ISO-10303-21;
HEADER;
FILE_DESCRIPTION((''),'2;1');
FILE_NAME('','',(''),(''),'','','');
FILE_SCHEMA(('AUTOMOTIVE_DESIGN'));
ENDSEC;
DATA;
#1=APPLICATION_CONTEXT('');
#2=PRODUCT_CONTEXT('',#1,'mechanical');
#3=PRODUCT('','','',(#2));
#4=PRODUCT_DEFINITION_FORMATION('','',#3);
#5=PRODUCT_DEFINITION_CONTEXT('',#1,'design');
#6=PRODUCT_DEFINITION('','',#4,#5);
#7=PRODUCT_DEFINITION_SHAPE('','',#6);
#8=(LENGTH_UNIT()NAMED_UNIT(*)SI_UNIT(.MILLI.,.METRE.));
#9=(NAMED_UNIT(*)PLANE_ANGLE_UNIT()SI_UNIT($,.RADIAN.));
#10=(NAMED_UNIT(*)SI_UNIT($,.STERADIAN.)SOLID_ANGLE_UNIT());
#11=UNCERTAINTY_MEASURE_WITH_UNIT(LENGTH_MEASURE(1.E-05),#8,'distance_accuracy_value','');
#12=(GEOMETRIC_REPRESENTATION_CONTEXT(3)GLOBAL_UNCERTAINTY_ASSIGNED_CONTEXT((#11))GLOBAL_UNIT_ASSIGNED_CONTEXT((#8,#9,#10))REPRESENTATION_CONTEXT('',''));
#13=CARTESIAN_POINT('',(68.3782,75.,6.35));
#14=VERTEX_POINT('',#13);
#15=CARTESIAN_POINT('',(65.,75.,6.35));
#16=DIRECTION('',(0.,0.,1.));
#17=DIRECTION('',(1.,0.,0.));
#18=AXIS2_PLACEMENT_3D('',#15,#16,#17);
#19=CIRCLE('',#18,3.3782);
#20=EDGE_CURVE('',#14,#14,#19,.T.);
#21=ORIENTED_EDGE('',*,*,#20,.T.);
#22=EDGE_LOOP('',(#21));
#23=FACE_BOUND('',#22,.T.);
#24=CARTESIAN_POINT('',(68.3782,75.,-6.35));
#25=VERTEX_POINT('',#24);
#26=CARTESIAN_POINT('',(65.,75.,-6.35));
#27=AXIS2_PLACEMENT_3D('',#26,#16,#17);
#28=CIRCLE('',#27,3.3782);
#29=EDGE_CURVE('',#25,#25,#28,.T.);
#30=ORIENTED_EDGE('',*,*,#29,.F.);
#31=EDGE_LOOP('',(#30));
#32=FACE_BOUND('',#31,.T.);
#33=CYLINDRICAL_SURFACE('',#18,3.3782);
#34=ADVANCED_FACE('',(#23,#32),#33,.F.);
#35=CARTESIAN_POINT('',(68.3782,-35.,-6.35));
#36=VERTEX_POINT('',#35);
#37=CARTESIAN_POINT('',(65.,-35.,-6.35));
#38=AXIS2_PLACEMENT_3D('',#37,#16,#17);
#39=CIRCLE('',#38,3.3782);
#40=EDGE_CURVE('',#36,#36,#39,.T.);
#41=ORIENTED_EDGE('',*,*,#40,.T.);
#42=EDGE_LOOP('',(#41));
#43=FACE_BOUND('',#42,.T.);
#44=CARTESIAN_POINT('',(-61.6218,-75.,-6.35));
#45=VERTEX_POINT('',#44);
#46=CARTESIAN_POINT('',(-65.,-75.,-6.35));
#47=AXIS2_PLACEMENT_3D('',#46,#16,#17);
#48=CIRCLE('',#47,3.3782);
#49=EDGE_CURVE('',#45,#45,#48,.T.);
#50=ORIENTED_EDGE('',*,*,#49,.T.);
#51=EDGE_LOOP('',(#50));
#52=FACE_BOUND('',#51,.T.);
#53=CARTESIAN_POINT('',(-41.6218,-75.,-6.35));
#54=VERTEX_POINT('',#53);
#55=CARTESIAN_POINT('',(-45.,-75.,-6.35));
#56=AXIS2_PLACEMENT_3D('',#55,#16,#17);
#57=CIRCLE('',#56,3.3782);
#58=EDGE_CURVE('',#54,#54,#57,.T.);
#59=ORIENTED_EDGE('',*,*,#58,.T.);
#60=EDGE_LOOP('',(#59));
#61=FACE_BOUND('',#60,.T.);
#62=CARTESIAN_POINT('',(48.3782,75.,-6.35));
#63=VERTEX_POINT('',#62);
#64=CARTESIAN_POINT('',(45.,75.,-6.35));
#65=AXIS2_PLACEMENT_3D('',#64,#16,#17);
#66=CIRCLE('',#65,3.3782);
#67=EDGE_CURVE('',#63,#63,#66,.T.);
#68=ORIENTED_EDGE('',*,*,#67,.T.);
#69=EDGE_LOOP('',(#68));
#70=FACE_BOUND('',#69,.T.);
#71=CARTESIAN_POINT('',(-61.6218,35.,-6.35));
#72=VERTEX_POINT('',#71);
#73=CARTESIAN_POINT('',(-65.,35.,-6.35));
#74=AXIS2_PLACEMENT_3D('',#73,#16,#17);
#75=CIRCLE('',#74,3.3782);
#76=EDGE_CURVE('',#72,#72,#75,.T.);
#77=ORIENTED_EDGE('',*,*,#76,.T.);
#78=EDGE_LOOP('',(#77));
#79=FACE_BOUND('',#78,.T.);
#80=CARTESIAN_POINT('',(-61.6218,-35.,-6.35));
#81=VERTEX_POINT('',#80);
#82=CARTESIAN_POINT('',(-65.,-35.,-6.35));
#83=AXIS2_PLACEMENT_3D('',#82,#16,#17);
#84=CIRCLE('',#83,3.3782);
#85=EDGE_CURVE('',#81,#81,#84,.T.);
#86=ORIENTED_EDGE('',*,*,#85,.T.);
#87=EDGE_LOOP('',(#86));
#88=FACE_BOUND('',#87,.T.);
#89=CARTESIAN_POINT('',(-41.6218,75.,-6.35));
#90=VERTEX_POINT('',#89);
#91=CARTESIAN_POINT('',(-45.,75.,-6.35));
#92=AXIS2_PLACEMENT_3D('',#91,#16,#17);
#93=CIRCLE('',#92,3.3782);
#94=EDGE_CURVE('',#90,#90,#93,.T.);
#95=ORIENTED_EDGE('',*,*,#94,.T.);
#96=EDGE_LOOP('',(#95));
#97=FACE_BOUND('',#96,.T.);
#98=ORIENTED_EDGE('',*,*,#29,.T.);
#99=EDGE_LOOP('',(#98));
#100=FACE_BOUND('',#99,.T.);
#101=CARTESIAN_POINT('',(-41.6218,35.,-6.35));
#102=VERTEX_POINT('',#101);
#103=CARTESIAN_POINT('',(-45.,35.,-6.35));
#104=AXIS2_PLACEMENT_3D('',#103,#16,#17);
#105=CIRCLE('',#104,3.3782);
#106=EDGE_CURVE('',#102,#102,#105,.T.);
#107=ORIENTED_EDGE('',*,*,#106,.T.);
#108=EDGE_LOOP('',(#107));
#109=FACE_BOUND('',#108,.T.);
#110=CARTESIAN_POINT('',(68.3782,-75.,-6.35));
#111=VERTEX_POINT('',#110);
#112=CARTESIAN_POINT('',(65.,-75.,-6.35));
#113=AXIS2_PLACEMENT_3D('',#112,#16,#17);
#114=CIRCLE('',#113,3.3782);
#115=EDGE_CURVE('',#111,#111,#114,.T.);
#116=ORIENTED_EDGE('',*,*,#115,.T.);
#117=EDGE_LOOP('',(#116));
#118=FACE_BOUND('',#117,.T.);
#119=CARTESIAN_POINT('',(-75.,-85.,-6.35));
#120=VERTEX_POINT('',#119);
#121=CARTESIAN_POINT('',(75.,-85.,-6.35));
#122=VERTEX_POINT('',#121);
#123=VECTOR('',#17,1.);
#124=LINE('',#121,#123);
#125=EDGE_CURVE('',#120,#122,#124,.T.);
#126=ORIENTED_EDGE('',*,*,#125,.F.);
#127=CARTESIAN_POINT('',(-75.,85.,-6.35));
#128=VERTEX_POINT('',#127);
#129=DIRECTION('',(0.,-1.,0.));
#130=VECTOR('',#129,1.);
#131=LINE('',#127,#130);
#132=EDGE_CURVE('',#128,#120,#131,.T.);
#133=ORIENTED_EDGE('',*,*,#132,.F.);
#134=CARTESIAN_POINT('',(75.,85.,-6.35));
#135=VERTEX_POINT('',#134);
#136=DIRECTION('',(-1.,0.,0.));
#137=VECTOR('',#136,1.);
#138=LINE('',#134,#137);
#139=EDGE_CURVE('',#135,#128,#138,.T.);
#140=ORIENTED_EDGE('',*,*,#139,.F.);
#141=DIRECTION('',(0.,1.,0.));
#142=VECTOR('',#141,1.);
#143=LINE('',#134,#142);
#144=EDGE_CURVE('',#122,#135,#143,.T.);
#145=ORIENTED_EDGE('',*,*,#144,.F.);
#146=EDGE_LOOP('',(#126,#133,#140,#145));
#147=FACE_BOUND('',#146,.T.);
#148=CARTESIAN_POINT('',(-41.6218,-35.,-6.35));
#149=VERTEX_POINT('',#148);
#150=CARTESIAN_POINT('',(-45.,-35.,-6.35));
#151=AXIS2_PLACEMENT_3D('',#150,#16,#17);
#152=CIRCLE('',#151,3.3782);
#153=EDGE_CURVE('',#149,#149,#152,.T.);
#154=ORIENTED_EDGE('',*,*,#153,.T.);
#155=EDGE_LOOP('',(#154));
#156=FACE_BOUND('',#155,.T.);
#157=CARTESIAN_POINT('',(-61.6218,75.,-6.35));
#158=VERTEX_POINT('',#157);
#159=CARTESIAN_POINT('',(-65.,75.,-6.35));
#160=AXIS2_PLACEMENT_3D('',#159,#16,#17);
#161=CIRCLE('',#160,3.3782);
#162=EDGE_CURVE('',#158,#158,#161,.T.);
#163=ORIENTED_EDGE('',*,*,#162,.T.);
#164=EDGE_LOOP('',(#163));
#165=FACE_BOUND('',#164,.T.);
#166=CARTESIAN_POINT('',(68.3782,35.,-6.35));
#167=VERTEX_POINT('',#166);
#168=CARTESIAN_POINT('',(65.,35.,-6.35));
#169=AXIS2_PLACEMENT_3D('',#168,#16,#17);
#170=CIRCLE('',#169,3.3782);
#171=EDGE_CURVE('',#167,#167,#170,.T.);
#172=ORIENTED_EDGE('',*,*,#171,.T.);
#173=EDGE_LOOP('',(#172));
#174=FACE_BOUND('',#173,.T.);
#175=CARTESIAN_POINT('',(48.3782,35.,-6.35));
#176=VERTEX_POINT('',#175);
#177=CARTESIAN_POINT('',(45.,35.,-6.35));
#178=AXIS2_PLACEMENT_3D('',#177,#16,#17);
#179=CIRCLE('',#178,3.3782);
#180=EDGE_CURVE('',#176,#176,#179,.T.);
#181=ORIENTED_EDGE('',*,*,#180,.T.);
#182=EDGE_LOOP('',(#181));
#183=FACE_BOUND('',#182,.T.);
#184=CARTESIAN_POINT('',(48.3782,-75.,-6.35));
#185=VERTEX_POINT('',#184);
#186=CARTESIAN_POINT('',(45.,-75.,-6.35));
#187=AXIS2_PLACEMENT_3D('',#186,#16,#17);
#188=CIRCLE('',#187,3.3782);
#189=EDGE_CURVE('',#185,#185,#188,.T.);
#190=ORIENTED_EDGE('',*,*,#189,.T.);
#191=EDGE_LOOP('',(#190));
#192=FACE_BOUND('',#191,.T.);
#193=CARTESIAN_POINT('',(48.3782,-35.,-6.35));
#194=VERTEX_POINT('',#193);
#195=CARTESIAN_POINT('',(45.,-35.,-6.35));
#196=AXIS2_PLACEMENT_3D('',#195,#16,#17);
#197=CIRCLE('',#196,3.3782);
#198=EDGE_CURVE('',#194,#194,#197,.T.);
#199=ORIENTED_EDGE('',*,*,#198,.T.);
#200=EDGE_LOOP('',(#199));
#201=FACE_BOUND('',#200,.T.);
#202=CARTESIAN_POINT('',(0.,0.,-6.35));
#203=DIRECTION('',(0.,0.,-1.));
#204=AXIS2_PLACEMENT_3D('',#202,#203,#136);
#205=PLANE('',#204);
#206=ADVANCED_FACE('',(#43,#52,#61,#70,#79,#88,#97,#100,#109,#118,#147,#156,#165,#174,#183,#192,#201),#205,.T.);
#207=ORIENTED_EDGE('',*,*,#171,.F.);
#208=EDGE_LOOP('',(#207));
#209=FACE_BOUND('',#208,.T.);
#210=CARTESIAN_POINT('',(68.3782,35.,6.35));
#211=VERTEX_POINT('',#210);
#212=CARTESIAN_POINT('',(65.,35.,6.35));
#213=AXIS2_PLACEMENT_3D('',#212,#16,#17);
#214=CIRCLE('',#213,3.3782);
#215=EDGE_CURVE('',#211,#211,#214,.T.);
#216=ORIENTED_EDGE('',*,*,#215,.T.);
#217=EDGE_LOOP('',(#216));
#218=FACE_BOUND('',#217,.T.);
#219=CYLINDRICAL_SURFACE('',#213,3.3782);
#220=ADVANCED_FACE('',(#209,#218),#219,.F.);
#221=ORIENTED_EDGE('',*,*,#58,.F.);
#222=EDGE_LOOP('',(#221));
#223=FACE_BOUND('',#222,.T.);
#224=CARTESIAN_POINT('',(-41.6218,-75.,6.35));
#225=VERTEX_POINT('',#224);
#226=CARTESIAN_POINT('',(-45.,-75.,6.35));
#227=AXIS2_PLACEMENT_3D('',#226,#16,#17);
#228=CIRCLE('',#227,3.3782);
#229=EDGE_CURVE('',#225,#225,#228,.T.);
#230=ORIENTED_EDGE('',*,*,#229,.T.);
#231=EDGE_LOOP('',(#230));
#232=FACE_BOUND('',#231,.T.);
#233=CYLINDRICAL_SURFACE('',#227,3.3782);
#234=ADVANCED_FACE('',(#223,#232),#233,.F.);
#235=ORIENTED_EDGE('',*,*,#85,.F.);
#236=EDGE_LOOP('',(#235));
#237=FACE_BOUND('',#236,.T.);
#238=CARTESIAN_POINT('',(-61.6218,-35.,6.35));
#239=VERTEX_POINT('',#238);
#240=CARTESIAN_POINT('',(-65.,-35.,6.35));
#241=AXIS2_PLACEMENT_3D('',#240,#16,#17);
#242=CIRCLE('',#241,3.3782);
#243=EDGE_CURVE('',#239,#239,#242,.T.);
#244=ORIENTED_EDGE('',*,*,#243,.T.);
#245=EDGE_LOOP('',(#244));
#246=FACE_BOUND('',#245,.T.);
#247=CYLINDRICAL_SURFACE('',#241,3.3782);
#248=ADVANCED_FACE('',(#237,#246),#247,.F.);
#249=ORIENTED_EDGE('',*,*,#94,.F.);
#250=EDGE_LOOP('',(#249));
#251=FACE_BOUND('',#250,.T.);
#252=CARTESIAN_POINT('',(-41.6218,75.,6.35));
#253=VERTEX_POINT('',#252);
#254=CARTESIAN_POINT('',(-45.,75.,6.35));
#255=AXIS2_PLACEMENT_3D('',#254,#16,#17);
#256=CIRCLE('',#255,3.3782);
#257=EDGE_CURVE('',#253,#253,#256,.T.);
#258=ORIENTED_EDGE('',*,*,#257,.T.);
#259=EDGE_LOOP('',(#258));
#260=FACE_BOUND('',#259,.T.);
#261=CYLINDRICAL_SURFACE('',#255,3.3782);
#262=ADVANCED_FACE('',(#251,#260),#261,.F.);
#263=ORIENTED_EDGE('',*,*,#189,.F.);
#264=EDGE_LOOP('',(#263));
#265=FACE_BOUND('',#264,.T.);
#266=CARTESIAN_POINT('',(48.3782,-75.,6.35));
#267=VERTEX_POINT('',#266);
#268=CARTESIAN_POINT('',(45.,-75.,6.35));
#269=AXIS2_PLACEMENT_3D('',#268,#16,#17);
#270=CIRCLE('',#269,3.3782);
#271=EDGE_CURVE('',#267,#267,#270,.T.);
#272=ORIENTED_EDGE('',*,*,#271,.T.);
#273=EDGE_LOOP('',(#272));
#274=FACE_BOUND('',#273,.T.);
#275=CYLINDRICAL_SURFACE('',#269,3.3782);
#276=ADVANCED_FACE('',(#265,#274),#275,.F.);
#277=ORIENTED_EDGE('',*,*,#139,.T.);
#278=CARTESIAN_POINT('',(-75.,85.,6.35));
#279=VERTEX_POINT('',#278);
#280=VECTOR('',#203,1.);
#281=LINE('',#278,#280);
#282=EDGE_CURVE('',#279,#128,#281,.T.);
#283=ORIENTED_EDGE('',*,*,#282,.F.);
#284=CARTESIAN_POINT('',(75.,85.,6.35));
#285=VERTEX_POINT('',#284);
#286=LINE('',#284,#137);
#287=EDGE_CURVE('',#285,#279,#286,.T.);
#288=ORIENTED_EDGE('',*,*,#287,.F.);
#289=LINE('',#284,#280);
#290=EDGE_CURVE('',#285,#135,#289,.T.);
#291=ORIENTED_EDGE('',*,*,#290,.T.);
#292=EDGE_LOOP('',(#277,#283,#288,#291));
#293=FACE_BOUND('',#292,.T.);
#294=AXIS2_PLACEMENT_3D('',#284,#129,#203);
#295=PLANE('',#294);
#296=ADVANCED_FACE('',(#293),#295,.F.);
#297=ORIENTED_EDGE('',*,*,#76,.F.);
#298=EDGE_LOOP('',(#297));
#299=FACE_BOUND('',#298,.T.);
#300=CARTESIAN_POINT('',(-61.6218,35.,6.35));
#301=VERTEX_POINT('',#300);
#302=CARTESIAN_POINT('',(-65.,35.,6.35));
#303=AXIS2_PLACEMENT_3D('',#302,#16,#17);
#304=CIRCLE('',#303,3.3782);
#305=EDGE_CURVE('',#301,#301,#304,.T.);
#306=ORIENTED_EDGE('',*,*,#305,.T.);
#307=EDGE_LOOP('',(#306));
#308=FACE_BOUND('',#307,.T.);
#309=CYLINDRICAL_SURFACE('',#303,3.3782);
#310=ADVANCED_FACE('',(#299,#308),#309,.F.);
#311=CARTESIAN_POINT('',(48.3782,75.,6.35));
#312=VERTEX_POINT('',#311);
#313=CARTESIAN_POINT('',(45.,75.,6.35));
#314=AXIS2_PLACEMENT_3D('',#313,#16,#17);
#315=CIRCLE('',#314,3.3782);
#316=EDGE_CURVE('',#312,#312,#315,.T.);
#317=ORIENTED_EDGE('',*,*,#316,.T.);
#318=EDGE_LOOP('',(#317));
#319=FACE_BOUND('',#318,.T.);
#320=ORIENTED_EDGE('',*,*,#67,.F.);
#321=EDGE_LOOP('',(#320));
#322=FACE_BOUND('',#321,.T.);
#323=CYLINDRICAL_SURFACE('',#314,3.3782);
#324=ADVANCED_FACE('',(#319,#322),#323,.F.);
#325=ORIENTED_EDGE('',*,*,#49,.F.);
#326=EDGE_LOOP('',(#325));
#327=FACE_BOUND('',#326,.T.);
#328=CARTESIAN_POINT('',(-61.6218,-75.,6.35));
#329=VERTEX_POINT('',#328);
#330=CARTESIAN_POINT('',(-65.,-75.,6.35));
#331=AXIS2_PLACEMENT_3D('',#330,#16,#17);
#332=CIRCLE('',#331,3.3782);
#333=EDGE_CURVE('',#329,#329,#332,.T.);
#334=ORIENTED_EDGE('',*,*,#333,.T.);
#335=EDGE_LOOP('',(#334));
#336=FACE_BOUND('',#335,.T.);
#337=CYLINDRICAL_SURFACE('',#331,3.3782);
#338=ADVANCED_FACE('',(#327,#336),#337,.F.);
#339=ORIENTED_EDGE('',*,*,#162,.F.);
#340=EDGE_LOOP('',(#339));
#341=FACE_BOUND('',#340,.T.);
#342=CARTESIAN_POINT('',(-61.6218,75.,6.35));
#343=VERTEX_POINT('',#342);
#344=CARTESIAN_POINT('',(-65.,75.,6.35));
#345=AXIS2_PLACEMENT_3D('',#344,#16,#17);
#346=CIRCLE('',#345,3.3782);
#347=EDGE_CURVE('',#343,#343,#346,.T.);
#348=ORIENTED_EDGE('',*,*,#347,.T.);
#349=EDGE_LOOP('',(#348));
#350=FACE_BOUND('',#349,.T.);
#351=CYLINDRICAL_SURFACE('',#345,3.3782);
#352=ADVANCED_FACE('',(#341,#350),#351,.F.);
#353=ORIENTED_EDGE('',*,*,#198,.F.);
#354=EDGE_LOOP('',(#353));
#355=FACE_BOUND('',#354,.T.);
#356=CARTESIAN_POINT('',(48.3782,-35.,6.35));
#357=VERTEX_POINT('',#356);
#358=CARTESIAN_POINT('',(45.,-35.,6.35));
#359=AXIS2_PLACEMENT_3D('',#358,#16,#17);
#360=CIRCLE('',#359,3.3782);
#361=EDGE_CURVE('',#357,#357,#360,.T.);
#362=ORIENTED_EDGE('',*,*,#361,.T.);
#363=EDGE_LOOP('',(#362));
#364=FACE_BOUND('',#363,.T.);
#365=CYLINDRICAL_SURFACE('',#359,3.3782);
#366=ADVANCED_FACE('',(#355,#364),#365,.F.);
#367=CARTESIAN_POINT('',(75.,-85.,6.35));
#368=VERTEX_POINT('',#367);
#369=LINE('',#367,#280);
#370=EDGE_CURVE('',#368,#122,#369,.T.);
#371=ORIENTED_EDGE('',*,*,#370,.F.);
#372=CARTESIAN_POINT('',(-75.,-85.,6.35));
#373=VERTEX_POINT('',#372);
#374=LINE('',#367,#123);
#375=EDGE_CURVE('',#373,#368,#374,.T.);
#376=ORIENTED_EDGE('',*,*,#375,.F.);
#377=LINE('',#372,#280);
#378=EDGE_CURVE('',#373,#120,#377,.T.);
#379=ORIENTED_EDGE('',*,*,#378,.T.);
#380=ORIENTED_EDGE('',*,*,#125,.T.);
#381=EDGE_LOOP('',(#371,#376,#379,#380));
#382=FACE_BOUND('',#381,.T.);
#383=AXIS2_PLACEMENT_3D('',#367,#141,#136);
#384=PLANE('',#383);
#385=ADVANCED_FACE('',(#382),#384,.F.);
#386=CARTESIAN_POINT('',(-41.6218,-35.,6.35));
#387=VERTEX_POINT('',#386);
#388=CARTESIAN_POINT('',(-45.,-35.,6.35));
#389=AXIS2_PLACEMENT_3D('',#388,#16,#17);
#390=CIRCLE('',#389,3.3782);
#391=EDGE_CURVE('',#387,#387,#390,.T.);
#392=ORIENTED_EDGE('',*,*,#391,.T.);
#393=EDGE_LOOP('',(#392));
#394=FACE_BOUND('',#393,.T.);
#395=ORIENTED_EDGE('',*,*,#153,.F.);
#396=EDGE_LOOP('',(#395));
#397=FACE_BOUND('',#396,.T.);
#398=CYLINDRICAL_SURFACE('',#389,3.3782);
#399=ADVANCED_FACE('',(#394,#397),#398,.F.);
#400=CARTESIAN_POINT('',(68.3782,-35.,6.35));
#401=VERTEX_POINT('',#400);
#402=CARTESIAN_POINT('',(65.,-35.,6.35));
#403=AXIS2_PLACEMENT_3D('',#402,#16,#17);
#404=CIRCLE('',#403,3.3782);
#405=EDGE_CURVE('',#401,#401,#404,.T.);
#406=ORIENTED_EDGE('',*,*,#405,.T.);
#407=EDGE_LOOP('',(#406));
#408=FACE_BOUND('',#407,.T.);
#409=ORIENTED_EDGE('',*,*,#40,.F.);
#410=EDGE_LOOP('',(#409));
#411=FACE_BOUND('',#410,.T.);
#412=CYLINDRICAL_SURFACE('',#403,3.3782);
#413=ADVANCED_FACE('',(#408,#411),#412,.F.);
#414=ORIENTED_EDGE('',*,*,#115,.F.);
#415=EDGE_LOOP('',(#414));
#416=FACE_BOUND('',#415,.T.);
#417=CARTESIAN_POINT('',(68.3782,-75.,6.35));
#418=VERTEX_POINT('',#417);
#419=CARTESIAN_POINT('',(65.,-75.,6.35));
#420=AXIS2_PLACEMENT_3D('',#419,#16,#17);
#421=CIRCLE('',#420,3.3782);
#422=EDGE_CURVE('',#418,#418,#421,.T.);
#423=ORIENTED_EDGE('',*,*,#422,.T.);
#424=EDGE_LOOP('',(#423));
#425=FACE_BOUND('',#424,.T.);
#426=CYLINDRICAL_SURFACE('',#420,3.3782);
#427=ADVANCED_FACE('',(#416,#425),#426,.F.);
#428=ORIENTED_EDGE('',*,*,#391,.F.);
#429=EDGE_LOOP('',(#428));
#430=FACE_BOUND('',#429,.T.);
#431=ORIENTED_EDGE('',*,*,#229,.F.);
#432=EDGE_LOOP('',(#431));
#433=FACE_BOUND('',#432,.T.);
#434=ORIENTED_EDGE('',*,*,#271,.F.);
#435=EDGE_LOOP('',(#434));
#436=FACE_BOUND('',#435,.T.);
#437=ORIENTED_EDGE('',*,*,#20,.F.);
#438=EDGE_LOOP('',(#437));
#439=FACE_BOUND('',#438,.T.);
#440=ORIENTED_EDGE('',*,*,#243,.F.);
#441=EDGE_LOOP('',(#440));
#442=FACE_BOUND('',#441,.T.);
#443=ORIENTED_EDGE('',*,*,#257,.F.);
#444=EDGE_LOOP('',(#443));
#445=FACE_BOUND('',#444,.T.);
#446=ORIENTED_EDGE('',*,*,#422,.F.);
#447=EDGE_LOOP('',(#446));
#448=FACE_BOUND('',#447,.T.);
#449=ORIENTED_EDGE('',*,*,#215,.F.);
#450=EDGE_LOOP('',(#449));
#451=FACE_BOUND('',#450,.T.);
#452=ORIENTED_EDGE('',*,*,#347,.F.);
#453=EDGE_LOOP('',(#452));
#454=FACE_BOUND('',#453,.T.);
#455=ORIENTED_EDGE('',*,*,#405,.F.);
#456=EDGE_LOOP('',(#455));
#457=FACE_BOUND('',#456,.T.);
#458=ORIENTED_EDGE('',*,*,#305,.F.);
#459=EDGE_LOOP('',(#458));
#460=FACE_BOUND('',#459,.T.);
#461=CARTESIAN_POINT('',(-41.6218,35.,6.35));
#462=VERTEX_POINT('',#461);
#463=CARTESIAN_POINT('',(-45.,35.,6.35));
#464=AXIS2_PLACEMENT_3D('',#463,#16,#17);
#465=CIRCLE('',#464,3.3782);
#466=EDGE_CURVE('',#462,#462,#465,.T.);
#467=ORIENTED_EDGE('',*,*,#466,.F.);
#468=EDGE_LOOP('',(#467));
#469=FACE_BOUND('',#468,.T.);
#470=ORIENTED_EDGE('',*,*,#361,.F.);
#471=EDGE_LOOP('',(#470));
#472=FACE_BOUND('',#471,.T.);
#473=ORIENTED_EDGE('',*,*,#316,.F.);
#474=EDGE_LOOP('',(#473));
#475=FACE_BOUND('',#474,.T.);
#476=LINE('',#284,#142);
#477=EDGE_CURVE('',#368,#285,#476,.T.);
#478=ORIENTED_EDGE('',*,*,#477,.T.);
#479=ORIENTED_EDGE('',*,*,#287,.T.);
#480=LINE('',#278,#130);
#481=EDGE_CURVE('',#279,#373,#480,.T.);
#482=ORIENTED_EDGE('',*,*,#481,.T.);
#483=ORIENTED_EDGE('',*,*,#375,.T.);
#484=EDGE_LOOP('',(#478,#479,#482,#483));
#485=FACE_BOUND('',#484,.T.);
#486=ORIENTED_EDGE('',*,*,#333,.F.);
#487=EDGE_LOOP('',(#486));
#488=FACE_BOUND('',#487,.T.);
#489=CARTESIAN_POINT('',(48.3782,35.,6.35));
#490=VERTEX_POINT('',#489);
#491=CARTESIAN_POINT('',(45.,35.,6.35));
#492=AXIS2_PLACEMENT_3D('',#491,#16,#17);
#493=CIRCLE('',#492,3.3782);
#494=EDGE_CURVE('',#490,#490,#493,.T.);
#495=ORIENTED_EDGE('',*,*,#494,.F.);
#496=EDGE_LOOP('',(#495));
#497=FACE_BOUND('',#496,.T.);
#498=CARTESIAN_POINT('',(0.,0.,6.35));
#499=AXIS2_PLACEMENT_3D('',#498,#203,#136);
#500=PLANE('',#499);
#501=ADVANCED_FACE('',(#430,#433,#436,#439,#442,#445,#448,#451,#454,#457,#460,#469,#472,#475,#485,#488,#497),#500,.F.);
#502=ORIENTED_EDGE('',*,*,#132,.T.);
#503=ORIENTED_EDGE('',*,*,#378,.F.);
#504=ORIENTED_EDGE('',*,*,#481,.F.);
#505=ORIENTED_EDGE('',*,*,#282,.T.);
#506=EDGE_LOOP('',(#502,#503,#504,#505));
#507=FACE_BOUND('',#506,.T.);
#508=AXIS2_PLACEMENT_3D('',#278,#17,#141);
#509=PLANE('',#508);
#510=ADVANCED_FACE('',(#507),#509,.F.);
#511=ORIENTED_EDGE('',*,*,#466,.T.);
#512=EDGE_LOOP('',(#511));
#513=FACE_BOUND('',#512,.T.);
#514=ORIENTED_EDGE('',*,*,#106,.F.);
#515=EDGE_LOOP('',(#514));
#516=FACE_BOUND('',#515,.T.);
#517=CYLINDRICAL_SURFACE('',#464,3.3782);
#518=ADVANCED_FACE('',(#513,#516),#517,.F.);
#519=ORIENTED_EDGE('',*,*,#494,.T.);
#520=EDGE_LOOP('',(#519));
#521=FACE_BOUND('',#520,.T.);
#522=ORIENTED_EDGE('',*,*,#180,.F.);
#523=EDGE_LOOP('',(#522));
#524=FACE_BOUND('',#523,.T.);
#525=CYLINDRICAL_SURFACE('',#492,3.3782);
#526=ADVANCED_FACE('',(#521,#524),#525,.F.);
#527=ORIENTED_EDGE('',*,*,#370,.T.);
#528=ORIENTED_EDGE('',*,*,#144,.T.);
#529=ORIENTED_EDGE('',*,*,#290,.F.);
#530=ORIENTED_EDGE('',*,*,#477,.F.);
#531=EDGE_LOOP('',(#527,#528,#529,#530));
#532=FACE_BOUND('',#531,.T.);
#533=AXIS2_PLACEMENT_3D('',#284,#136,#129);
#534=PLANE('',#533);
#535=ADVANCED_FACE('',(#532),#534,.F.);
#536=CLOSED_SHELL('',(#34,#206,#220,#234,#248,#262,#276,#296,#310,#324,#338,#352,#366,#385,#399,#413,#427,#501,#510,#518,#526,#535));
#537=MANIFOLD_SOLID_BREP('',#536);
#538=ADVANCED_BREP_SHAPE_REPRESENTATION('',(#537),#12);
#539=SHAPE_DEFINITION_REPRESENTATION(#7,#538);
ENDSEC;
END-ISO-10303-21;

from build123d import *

# Parameters (mm, degrees)
CROQUIS1_W                    = 150
CROQUIS1_H                    = 170
SALIENTE_EXTRUIR1_DEPTH       = 6.35
TALADRO_DE_MARGEN_PARA_1_41_D = 6.7564


with BuildPart() as part:
    # Croquis1 → Saliente-Extruir1 (new, symmetric)
    with BuildSketch(Plane.XY):
        Rectangle(CROQUIS1_W, CROQUIS1_H)
    extrude(amount=SALIENTE_EXTRUIR1_DEPTH, both=True)

    # Taladro de margen para 1/41 (through all)
    with Locations(Plane.XY.offset(6.35)):
        with Locations((65, 75), (65, 35), (45, 35), (45, 75), (45, -75), (45, -35), (65, -35), (65, -75), (-65, -75), (-65, -35), (-45, -35), (-45, -75), (-45, 75), (-45, 35), (-65, 35), (-65, 75)):
            Hole(TALADRO_DE_MARGEN_PARA_1_41_D / 2)


solid = part.part
